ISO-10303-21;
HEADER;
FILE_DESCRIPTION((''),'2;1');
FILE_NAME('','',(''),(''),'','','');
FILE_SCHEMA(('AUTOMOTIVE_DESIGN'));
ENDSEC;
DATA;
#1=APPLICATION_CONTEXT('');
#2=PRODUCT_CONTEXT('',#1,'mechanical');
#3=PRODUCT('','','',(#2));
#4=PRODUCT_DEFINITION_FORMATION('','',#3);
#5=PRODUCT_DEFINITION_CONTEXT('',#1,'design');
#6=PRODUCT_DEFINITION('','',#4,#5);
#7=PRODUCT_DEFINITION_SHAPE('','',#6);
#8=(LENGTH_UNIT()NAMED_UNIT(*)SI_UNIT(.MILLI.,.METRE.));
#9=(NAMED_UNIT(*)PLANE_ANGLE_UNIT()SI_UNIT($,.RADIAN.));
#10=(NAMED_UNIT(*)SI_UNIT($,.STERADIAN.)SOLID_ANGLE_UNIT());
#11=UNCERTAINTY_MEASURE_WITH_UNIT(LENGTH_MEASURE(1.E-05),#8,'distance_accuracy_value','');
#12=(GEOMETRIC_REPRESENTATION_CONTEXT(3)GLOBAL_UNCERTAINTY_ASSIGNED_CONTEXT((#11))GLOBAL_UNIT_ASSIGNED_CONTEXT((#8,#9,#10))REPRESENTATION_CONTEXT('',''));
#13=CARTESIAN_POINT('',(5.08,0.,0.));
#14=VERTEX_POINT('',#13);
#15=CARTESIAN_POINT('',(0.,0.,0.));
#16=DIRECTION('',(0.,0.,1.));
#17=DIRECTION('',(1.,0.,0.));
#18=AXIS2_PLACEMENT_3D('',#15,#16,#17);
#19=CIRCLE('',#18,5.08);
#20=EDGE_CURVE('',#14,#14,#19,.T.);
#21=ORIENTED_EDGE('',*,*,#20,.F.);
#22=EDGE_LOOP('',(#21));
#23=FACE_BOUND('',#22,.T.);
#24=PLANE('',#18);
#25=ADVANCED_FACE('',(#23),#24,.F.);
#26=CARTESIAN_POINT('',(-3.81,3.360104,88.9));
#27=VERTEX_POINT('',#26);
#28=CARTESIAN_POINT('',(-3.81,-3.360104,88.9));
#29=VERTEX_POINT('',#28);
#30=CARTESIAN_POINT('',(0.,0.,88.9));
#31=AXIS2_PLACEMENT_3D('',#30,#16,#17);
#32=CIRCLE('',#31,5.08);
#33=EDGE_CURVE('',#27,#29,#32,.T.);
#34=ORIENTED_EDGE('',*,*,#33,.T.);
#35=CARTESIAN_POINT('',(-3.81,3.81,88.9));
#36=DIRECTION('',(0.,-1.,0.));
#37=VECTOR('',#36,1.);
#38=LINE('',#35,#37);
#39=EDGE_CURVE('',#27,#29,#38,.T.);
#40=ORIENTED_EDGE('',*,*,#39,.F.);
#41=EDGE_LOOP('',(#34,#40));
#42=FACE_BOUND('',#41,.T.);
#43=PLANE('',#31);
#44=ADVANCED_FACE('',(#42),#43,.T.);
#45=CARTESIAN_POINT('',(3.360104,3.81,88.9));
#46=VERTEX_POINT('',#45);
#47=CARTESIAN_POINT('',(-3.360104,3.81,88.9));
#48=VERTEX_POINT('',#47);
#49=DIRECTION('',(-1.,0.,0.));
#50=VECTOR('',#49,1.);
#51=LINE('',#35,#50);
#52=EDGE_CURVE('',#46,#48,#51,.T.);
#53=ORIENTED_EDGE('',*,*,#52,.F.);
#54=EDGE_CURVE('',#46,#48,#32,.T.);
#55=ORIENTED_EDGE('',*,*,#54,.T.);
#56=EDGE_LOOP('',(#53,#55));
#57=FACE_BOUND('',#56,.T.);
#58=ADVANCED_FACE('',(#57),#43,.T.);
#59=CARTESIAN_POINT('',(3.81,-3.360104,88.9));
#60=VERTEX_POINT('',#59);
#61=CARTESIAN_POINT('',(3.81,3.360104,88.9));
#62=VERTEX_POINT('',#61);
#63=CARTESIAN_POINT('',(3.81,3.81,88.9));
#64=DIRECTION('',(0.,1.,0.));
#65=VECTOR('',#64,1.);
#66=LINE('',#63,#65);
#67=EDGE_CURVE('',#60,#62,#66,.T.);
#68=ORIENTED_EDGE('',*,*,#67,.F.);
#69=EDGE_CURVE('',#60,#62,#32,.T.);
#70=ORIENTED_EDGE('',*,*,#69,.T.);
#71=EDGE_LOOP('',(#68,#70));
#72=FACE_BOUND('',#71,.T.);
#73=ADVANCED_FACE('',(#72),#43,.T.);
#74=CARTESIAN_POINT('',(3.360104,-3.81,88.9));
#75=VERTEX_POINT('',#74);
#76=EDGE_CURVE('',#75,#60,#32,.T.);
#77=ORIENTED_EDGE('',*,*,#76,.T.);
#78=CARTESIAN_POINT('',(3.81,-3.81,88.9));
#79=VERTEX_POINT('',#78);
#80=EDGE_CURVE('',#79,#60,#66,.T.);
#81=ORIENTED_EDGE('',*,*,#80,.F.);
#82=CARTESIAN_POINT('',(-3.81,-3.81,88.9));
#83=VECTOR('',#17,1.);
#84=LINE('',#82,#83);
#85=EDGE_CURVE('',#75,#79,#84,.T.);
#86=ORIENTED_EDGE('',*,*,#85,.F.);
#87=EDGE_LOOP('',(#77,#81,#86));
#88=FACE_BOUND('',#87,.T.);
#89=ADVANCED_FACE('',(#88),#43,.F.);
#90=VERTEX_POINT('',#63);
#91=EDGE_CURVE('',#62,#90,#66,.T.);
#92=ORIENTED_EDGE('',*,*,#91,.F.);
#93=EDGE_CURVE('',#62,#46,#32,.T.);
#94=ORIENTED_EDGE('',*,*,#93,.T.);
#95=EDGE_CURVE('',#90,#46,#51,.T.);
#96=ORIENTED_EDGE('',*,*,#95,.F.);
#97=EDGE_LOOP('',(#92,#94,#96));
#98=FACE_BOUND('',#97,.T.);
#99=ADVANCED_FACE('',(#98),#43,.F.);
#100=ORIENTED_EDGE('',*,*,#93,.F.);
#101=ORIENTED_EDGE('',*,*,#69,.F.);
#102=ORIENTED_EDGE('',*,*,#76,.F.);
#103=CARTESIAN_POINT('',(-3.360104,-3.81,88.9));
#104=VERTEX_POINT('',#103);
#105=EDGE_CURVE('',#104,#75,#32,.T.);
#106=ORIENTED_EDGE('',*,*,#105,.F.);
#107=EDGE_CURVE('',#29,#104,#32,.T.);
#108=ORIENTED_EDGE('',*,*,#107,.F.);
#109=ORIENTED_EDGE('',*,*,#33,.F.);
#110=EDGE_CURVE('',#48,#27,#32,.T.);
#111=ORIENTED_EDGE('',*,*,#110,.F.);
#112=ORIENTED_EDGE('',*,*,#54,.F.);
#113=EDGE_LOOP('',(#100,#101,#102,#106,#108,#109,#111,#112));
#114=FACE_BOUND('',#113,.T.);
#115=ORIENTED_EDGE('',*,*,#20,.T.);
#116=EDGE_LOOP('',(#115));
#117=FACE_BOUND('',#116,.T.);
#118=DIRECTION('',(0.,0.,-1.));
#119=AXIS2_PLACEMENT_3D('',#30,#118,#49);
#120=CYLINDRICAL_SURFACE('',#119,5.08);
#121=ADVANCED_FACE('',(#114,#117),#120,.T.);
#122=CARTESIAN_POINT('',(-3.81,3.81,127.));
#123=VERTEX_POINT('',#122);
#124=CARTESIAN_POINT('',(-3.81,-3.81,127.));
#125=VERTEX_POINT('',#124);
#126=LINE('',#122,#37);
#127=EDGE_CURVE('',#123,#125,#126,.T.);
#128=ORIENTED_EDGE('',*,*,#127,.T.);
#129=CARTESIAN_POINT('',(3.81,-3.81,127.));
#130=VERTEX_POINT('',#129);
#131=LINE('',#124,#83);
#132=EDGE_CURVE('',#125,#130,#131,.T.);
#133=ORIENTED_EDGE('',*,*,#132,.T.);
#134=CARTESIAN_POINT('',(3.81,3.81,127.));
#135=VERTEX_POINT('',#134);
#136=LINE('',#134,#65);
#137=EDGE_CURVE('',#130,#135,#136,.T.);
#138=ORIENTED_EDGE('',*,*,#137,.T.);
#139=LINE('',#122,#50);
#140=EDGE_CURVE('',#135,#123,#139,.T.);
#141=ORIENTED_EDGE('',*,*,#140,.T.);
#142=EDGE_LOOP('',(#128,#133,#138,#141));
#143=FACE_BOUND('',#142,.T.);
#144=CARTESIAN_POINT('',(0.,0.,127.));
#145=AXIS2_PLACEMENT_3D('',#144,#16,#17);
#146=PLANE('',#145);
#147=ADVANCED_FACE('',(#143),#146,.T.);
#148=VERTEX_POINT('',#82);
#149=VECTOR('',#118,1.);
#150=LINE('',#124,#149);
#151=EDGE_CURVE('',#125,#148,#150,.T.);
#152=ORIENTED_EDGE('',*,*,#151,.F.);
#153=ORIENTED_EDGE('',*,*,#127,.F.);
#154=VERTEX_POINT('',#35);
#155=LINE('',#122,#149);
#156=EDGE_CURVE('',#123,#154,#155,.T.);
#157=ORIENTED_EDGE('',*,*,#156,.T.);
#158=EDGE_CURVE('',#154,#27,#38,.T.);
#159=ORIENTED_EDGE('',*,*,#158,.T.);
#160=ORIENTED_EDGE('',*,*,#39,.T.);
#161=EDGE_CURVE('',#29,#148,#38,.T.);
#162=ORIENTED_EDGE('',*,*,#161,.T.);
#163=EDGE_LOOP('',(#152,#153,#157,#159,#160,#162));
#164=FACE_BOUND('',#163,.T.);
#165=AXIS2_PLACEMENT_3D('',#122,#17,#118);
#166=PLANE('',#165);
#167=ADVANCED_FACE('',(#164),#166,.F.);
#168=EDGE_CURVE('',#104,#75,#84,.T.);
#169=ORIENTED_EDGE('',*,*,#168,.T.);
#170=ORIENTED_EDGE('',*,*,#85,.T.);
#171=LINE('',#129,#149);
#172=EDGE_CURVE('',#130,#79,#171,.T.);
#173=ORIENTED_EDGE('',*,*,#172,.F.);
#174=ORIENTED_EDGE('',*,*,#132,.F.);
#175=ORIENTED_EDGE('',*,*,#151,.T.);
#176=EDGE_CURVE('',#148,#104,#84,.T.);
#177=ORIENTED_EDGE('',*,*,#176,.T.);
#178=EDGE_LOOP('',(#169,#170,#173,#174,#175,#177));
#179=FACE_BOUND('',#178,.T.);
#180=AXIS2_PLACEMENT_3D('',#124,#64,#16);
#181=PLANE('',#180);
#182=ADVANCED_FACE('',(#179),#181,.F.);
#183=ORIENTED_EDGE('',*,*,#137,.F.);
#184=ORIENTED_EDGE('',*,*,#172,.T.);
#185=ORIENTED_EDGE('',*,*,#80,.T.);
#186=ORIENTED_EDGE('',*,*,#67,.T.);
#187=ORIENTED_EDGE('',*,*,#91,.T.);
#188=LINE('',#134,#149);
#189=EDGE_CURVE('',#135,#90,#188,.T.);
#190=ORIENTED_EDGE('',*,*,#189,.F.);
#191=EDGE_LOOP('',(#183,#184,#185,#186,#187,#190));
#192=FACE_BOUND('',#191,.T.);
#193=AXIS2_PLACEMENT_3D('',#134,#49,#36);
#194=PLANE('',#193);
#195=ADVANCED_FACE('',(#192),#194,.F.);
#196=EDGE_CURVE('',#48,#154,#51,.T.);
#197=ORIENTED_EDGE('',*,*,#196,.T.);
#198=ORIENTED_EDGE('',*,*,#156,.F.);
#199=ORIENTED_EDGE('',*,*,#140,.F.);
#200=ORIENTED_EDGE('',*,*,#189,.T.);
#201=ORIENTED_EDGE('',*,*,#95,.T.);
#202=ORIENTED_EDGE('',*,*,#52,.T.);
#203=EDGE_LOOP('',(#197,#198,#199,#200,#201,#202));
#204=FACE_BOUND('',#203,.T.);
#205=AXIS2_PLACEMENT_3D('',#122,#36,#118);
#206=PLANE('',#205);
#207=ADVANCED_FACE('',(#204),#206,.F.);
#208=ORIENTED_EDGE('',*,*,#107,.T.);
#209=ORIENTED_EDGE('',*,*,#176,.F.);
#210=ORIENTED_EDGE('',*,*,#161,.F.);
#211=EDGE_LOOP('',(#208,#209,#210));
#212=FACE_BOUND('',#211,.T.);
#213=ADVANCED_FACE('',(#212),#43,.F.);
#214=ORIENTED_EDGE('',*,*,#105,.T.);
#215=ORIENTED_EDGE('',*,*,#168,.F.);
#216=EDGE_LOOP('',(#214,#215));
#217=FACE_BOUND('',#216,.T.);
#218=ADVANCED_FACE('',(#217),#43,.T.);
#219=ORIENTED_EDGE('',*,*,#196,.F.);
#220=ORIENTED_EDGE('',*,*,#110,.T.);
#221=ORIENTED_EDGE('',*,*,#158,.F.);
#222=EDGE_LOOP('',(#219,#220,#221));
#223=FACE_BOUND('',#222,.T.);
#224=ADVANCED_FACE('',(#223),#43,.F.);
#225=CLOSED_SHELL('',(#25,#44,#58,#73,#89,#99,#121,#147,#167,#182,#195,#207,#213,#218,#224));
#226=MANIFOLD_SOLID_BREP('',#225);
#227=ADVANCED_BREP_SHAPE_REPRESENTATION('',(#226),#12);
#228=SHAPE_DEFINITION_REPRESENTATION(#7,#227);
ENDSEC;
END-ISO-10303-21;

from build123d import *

# Parameters (mm, degrees)
SKETCH1_R           = 5.08
BOSS_EXTRUDE1_DEPTH = 88.9
SKETCH2_W           = 7.62
SKETCH2_H           = 7.62
BOSS_EXTRUDE2_DEPTH = 38.1


with BuildPart() as part:
    # Sketch1 → Boss-Extrude1 (new body)
    with BuildSketch(Plane.XY):
        Circle(SKETCH1_R)
    extrude(amount=BOSS_EXTRUDE1_DEPTH)

    # Sketch2 → Boss-Extrude2 (add)
    with BuildSketch(Plane.XY.offset(88.9)):
        Rectangle(SKETCH2_W, SKETCH2_H)
    extrude(amount=BOSS_EXTRUDE2_DEPTH)


solid = part.part
